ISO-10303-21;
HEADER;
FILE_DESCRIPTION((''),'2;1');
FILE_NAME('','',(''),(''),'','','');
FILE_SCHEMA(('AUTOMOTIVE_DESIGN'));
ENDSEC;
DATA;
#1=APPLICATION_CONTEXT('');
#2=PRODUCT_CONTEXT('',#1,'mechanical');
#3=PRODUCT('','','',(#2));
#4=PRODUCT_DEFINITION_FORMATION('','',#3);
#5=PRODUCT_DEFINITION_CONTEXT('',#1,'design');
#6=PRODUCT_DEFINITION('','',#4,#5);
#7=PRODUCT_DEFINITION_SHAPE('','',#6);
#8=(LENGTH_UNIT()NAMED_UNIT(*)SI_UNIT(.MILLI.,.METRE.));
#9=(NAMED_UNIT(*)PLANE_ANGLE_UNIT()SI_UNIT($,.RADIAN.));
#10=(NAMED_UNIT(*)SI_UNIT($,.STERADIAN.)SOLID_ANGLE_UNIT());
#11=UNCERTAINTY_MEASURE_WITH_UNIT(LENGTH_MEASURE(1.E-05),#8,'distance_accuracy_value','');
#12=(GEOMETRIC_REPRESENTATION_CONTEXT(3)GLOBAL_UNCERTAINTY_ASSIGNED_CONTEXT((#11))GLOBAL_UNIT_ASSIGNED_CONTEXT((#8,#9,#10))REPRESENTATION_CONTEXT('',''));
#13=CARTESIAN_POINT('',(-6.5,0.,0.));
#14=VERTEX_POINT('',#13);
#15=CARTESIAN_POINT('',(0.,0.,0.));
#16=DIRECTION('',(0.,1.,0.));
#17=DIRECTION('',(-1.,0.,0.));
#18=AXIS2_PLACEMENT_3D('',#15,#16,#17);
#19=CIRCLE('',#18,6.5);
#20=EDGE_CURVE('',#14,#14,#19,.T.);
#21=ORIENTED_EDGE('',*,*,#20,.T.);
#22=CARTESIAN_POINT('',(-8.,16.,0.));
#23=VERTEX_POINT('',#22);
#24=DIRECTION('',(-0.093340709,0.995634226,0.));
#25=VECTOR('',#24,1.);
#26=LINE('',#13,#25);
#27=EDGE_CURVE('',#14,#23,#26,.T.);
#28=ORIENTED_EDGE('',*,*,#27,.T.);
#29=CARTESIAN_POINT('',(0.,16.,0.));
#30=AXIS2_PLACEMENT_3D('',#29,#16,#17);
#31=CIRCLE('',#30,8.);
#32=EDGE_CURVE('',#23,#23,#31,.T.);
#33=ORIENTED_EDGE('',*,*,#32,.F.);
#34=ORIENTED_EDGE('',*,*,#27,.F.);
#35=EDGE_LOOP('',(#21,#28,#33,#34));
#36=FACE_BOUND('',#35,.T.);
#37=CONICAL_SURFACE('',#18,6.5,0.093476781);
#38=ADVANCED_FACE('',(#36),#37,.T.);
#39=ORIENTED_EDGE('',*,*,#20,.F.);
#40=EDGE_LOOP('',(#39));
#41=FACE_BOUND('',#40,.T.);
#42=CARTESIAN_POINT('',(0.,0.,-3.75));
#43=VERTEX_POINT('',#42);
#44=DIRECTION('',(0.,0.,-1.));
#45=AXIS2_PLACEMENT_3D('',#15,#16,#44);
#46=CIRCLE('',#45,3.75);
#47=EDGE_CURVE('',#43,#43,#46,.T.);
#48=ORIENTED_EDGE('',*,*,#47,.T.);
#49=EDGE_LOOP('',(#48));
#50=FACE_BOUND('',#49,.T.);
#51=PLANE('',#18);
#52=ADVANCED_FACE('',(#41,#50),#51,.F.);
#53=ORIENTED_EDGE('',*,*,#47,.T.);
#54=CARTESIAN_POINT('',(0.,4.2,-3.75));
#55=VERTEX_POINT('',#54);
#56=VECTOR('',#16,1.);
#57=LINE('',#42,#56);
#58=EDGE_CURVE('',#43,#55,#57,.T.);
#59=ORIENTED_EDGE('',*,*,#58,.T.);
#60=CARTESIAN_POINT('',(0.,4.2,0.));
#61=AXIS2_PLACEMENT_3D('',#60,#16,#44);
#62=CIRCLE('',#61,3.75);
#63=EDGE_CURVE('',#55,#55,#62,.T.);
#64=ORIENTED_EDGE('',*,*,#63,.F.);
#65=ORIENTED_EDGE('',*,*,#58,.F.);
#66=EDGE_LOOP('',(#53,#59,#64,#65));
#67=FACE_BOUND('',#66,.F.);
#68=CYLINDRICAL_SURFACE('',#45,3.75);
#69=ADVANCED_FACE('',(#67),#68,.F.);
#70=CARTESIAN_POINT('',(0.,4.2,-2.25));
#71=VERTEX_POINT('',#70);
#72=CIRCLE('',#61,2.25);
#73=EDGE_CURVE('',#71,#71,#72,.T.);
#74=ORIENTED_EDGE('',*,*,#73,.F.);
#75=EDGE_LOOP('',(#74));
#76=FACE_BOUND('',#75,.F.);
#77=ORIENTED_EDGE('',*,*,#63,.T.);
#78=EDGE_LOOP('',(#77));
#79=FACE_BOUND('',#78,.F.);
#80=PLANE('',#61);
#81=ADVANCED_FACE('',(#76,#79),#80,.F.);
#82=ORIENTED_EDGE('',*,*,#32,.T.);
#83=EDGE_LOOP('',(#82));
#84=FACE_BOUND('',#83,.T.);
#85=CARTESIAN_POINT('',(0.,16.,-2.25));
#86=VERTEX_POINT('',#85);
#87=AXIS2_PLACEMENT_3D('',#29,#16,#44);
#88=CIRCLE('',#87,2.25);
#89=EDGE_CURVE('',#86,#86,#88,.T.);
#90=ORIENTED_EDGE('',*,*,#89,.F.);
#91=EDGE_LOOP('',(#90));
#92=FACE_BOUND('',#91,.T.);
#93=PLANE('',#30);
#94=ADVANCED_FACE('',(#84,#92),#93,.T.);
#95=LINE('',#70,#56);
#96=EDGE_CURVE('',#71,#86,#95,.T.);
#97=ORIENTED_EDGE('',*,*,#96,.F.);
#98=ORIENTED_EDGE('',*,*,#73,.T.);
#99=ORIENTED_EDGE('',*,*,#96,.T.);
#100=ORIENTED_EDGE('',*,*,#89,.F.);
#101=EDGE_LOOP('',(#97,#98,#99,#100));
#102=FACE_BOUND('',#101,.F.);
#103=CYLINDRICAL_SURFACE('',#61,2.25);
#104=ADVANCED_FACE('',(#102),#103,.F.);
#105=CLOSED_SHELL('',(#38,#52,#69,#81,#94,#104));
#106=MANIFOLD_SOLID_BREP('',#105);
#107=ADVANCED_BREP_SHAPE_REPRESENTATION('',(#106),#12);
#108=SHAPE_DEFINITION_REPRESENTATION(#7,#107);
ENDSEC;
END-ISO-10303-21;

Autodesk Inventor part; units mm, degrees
ref_plane "YZ Plane" through (0, 0, 0) normal (1, 0, 0) x (0, 1, 0)
ref_plane "XZ Plane" through (0, 0, 0) normal (0, 1, 0) x (-1, 0, 0)
ref_plane "XY Plane" through (0, 0, 0) normal (0, 0, 1) x (1, 0, 0)
sketch "Sketch1" plane through (0, 0, 0) normal (0, 0, 1) x (1, 0, 0)
  line L0 (6.5, 0) -> (-6.5, 0)
  line L1 (-6.5, 0) -> (-8, 16)
  line L2 (-8, 16) -> (8, 16)
  line L3 (8, 16) -> (6.5, 0)
  line L4 (0, 0) -> (0, 16)
  dimension "d1" = 13
  dimension "d2" = 16
  dimension "d3" = 16
revolve "Revolution1" add sketch "Sketch1" angle 360 about axis through (0, 0, 0) along (0, 1, 0) contours L0 L1 L2 L4
sketch "Sketch2" plane through (0, 0, 0) normal (0, -1, 0) x (1, 0, 0)
  circle A0 centre (0, 0) radius 6.5 projected
hole "Hole1" at (0, 0, 0) direction (0, 1, 0) diameter 4.5 end through all counterbore diameter 7.5 counterbore depth 4.2
equation "\"d1\" = cleat_base_diameter"
equation "\"d2\" = cleat_top_diameter"
equation "\"d3\" = cleat_height"
equation "\"d5\" = hole_diameter"
equation "\"d7\" = trace_diameter"
equation "\"d8\" = trace_depth"
equation "\"hole_diameter\" = 4.5"
equation "\"cleat_height\" = 16"
equation "\"trace_diameter\" = 7.5"
equation "\"trace_depth\" = 4.2"
equation "\"cleat_base_diameter\" = 13"
equation "\"cleat_top_diameter\" = 16"
properties part number "cleat"
